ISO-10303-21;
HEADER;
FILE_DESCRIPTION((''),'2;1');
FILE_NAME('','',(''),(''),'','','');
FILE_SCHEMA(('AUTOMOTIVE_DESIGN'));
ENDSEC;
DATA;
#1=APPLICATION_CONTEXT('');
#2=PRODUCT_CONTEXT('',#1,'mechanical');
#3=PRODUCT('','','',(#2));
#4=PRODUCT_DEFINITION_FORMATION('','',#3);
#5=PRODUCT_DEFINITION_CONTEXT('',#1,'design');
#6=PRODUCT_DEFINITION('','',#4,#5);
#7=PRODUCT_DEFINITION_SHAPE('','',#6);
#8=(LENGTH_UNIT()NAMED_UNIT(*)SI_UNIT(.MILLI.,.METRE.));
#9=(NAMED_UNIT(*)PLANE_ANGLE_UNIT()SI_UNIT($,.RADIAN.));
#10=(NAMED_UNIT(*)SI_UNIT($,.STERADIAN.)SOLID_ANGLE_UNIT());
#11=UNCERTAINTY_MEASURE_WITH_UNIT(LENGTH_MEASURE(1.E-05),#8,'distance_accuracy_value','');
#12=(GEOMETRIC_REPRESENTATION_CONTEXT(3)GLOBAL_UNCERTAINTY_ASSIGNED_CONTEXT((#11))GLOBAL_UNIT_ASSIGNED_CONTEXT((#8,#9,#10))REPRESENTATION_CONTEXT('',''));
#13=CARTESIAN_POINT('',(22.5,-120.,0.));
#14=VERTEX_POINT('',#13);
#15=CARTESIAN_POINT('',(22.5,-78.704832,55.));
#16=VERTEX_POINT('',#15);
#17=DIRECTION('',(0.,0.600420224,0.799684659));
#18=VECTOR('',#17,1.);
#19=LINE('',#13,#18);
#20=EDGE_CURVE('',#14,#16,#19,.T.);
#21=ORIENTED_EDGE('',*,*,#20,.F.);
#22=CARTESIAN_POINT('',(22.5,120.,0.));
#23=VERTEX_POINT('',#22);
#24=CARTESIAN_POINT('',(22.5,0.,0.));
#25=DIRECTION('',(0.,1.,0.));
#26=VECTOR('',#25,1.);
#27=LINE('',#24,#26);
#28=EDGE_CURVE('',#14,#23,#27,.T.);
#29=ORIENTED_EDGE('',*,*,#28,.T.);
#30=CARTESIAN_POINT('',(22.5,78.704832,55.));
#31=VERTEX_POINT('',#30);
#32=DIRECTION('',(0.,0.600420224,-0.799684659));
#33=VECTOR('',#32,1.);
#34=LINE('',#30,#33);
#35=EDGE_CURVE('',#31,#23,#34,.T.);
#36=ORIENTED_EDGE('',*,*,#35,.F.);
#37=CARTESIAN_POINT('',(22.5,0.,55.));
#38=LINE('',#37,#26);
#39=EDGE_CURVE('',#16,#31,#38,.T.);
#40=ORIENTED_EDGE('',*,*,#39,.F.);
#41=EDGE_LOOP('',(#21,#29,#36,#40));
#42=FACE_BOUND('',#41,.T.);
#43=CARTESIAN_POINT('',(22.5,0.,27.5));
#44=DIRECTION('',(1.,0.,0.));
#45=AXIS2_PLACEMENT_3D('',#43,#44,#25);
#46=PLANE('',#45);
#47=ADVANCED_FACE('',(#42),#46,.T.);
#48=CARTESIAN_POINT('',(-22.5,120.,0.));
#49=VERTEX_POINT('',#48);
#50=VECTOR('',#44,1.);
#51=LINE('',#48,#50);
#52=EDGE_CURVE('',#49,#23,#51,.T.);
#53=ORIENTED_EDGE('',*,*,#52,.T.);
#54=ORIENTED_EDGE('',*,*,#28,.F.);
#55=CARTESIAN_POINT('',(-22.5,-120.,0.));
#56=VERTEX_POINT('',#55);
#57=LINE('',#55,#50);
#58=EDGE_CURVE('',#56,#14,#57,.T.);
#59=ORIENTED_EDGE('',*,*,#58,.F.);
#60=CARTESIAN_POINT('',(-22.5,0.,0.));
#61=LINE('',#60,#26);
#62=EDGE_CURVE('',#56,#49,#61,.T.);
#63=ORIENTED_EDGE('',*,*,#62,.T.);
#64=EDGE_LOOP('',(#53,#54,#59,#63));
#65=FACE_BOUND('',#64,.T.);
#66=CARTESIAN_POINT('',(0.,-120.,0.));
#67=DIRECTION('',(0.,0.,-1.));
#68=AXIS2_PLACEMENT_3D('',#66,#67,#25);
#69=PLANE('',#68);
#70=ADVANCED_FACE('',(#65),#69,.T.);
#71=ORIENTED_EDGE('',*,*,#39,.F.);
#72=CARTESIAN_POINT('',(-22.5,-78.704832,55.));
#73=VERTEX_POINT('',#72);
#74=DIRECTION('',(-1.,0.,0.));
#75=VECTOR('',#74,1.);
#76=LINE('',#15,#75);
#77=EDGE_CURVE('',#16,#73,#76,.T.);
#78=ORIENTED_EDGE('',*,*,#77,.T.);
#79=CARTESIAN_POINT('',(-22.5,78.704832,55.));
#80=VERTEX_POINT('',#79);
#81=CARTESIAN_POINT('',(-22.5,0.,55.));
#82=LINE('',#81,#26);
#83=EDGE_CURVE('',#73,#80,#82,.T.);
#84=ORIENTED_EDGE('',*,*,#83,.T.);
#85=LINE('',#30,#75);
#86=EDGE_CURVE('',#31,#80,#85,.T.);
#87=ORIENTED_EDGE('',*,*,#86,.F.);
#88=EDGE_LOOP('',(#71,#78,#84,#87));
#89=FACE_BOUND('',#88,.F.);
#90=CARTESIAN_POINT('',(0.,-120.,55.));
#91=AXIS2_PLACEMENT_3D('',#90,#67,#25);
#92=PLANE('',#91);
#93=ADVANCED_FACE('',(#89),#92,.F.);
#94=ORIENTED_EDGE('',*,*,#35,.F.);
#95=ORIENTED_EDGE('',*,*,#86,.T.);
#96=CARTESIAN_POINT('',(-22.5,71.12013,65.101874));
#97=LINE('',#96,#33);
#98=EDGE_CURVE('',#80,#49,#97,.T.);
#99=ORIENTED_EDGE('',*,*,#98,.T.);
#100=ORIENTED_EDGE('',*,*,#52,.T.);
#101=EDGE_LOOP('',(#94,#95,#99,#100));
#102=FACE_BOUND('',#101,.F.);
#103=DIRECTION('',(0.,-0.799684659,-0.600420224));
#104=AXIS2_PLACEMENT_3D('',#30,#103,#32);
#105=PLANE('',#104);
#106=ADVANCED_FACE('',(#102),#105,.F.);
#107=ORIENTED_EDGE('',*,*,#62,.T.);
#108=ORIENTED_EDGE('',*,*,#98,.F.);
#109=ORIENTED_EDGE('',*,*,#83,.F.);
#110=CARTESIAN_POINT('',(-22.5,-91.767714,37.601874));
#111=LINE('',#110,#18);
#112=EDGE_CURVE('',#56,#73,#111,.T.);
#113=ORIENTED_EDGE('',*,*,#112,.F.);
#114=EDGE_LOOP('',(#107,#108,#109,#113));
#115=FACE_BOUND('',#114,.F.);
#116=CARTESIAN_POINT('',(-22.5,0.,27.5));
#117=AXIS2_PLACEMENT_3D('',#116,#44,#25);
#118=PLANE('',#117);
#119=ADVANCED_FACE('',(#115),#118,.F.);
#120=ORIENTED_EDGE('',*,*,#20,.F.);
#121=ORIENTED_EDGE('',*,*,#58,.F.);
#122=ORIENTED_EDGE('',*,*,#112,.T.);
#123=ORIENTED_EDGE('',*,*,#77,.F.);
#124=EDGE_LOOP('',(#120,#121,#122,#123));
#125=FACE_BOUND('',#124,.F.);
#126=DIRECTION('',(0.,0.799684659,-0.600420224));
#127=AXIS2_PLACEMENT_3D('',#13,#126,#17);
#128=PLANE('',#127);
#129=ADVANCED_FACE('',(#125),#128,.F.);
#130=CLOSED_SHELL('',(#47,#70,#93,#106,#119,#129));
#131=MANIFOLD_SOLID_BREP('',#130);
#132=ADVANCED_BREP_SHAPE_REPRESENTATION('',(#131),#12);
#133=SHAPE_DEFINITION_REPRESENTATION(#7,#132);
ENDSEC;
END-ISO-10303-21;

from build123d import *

# Parameters (mm, degrees)
F0_W     = 35
F0_H     = 240
F1_DEPTH = 3
F2_W     = 240
F2_H     = 55
F3_DEPTH = 22.5
F5_DEPTH = 45.001


with BuildPart() as f1:
    # F0 (on Top) → F1 (new body)
    with BuildSketch(Plane.XY):
        Rectangle(F0_W, F0_H)
    extrude(amount=F1_DEPTH)

    # F2 (on Right) → F3 (join, symmetric)
    with BuildSketch(Plane.YZ):
        with Locations((0, 27.5)):
            Rectangle(F2_W, F2_H)
    extrude(amount=F3_DEPTH, both=True)

    # F4 (on face) → F5 (cut, through all)
    with BuildSketch(Plane.YZ.offset(22.5)):
        Polygon((-120, 55), (-120, 0), (-78.704832, 55), align=None)
        Polygon((78.704832, 55), (120, 0), (120, 55), align=None)
    extrude(amount=-F5_DEPTH, mode=Mode.SUBTRACT)


solid = f1.part
